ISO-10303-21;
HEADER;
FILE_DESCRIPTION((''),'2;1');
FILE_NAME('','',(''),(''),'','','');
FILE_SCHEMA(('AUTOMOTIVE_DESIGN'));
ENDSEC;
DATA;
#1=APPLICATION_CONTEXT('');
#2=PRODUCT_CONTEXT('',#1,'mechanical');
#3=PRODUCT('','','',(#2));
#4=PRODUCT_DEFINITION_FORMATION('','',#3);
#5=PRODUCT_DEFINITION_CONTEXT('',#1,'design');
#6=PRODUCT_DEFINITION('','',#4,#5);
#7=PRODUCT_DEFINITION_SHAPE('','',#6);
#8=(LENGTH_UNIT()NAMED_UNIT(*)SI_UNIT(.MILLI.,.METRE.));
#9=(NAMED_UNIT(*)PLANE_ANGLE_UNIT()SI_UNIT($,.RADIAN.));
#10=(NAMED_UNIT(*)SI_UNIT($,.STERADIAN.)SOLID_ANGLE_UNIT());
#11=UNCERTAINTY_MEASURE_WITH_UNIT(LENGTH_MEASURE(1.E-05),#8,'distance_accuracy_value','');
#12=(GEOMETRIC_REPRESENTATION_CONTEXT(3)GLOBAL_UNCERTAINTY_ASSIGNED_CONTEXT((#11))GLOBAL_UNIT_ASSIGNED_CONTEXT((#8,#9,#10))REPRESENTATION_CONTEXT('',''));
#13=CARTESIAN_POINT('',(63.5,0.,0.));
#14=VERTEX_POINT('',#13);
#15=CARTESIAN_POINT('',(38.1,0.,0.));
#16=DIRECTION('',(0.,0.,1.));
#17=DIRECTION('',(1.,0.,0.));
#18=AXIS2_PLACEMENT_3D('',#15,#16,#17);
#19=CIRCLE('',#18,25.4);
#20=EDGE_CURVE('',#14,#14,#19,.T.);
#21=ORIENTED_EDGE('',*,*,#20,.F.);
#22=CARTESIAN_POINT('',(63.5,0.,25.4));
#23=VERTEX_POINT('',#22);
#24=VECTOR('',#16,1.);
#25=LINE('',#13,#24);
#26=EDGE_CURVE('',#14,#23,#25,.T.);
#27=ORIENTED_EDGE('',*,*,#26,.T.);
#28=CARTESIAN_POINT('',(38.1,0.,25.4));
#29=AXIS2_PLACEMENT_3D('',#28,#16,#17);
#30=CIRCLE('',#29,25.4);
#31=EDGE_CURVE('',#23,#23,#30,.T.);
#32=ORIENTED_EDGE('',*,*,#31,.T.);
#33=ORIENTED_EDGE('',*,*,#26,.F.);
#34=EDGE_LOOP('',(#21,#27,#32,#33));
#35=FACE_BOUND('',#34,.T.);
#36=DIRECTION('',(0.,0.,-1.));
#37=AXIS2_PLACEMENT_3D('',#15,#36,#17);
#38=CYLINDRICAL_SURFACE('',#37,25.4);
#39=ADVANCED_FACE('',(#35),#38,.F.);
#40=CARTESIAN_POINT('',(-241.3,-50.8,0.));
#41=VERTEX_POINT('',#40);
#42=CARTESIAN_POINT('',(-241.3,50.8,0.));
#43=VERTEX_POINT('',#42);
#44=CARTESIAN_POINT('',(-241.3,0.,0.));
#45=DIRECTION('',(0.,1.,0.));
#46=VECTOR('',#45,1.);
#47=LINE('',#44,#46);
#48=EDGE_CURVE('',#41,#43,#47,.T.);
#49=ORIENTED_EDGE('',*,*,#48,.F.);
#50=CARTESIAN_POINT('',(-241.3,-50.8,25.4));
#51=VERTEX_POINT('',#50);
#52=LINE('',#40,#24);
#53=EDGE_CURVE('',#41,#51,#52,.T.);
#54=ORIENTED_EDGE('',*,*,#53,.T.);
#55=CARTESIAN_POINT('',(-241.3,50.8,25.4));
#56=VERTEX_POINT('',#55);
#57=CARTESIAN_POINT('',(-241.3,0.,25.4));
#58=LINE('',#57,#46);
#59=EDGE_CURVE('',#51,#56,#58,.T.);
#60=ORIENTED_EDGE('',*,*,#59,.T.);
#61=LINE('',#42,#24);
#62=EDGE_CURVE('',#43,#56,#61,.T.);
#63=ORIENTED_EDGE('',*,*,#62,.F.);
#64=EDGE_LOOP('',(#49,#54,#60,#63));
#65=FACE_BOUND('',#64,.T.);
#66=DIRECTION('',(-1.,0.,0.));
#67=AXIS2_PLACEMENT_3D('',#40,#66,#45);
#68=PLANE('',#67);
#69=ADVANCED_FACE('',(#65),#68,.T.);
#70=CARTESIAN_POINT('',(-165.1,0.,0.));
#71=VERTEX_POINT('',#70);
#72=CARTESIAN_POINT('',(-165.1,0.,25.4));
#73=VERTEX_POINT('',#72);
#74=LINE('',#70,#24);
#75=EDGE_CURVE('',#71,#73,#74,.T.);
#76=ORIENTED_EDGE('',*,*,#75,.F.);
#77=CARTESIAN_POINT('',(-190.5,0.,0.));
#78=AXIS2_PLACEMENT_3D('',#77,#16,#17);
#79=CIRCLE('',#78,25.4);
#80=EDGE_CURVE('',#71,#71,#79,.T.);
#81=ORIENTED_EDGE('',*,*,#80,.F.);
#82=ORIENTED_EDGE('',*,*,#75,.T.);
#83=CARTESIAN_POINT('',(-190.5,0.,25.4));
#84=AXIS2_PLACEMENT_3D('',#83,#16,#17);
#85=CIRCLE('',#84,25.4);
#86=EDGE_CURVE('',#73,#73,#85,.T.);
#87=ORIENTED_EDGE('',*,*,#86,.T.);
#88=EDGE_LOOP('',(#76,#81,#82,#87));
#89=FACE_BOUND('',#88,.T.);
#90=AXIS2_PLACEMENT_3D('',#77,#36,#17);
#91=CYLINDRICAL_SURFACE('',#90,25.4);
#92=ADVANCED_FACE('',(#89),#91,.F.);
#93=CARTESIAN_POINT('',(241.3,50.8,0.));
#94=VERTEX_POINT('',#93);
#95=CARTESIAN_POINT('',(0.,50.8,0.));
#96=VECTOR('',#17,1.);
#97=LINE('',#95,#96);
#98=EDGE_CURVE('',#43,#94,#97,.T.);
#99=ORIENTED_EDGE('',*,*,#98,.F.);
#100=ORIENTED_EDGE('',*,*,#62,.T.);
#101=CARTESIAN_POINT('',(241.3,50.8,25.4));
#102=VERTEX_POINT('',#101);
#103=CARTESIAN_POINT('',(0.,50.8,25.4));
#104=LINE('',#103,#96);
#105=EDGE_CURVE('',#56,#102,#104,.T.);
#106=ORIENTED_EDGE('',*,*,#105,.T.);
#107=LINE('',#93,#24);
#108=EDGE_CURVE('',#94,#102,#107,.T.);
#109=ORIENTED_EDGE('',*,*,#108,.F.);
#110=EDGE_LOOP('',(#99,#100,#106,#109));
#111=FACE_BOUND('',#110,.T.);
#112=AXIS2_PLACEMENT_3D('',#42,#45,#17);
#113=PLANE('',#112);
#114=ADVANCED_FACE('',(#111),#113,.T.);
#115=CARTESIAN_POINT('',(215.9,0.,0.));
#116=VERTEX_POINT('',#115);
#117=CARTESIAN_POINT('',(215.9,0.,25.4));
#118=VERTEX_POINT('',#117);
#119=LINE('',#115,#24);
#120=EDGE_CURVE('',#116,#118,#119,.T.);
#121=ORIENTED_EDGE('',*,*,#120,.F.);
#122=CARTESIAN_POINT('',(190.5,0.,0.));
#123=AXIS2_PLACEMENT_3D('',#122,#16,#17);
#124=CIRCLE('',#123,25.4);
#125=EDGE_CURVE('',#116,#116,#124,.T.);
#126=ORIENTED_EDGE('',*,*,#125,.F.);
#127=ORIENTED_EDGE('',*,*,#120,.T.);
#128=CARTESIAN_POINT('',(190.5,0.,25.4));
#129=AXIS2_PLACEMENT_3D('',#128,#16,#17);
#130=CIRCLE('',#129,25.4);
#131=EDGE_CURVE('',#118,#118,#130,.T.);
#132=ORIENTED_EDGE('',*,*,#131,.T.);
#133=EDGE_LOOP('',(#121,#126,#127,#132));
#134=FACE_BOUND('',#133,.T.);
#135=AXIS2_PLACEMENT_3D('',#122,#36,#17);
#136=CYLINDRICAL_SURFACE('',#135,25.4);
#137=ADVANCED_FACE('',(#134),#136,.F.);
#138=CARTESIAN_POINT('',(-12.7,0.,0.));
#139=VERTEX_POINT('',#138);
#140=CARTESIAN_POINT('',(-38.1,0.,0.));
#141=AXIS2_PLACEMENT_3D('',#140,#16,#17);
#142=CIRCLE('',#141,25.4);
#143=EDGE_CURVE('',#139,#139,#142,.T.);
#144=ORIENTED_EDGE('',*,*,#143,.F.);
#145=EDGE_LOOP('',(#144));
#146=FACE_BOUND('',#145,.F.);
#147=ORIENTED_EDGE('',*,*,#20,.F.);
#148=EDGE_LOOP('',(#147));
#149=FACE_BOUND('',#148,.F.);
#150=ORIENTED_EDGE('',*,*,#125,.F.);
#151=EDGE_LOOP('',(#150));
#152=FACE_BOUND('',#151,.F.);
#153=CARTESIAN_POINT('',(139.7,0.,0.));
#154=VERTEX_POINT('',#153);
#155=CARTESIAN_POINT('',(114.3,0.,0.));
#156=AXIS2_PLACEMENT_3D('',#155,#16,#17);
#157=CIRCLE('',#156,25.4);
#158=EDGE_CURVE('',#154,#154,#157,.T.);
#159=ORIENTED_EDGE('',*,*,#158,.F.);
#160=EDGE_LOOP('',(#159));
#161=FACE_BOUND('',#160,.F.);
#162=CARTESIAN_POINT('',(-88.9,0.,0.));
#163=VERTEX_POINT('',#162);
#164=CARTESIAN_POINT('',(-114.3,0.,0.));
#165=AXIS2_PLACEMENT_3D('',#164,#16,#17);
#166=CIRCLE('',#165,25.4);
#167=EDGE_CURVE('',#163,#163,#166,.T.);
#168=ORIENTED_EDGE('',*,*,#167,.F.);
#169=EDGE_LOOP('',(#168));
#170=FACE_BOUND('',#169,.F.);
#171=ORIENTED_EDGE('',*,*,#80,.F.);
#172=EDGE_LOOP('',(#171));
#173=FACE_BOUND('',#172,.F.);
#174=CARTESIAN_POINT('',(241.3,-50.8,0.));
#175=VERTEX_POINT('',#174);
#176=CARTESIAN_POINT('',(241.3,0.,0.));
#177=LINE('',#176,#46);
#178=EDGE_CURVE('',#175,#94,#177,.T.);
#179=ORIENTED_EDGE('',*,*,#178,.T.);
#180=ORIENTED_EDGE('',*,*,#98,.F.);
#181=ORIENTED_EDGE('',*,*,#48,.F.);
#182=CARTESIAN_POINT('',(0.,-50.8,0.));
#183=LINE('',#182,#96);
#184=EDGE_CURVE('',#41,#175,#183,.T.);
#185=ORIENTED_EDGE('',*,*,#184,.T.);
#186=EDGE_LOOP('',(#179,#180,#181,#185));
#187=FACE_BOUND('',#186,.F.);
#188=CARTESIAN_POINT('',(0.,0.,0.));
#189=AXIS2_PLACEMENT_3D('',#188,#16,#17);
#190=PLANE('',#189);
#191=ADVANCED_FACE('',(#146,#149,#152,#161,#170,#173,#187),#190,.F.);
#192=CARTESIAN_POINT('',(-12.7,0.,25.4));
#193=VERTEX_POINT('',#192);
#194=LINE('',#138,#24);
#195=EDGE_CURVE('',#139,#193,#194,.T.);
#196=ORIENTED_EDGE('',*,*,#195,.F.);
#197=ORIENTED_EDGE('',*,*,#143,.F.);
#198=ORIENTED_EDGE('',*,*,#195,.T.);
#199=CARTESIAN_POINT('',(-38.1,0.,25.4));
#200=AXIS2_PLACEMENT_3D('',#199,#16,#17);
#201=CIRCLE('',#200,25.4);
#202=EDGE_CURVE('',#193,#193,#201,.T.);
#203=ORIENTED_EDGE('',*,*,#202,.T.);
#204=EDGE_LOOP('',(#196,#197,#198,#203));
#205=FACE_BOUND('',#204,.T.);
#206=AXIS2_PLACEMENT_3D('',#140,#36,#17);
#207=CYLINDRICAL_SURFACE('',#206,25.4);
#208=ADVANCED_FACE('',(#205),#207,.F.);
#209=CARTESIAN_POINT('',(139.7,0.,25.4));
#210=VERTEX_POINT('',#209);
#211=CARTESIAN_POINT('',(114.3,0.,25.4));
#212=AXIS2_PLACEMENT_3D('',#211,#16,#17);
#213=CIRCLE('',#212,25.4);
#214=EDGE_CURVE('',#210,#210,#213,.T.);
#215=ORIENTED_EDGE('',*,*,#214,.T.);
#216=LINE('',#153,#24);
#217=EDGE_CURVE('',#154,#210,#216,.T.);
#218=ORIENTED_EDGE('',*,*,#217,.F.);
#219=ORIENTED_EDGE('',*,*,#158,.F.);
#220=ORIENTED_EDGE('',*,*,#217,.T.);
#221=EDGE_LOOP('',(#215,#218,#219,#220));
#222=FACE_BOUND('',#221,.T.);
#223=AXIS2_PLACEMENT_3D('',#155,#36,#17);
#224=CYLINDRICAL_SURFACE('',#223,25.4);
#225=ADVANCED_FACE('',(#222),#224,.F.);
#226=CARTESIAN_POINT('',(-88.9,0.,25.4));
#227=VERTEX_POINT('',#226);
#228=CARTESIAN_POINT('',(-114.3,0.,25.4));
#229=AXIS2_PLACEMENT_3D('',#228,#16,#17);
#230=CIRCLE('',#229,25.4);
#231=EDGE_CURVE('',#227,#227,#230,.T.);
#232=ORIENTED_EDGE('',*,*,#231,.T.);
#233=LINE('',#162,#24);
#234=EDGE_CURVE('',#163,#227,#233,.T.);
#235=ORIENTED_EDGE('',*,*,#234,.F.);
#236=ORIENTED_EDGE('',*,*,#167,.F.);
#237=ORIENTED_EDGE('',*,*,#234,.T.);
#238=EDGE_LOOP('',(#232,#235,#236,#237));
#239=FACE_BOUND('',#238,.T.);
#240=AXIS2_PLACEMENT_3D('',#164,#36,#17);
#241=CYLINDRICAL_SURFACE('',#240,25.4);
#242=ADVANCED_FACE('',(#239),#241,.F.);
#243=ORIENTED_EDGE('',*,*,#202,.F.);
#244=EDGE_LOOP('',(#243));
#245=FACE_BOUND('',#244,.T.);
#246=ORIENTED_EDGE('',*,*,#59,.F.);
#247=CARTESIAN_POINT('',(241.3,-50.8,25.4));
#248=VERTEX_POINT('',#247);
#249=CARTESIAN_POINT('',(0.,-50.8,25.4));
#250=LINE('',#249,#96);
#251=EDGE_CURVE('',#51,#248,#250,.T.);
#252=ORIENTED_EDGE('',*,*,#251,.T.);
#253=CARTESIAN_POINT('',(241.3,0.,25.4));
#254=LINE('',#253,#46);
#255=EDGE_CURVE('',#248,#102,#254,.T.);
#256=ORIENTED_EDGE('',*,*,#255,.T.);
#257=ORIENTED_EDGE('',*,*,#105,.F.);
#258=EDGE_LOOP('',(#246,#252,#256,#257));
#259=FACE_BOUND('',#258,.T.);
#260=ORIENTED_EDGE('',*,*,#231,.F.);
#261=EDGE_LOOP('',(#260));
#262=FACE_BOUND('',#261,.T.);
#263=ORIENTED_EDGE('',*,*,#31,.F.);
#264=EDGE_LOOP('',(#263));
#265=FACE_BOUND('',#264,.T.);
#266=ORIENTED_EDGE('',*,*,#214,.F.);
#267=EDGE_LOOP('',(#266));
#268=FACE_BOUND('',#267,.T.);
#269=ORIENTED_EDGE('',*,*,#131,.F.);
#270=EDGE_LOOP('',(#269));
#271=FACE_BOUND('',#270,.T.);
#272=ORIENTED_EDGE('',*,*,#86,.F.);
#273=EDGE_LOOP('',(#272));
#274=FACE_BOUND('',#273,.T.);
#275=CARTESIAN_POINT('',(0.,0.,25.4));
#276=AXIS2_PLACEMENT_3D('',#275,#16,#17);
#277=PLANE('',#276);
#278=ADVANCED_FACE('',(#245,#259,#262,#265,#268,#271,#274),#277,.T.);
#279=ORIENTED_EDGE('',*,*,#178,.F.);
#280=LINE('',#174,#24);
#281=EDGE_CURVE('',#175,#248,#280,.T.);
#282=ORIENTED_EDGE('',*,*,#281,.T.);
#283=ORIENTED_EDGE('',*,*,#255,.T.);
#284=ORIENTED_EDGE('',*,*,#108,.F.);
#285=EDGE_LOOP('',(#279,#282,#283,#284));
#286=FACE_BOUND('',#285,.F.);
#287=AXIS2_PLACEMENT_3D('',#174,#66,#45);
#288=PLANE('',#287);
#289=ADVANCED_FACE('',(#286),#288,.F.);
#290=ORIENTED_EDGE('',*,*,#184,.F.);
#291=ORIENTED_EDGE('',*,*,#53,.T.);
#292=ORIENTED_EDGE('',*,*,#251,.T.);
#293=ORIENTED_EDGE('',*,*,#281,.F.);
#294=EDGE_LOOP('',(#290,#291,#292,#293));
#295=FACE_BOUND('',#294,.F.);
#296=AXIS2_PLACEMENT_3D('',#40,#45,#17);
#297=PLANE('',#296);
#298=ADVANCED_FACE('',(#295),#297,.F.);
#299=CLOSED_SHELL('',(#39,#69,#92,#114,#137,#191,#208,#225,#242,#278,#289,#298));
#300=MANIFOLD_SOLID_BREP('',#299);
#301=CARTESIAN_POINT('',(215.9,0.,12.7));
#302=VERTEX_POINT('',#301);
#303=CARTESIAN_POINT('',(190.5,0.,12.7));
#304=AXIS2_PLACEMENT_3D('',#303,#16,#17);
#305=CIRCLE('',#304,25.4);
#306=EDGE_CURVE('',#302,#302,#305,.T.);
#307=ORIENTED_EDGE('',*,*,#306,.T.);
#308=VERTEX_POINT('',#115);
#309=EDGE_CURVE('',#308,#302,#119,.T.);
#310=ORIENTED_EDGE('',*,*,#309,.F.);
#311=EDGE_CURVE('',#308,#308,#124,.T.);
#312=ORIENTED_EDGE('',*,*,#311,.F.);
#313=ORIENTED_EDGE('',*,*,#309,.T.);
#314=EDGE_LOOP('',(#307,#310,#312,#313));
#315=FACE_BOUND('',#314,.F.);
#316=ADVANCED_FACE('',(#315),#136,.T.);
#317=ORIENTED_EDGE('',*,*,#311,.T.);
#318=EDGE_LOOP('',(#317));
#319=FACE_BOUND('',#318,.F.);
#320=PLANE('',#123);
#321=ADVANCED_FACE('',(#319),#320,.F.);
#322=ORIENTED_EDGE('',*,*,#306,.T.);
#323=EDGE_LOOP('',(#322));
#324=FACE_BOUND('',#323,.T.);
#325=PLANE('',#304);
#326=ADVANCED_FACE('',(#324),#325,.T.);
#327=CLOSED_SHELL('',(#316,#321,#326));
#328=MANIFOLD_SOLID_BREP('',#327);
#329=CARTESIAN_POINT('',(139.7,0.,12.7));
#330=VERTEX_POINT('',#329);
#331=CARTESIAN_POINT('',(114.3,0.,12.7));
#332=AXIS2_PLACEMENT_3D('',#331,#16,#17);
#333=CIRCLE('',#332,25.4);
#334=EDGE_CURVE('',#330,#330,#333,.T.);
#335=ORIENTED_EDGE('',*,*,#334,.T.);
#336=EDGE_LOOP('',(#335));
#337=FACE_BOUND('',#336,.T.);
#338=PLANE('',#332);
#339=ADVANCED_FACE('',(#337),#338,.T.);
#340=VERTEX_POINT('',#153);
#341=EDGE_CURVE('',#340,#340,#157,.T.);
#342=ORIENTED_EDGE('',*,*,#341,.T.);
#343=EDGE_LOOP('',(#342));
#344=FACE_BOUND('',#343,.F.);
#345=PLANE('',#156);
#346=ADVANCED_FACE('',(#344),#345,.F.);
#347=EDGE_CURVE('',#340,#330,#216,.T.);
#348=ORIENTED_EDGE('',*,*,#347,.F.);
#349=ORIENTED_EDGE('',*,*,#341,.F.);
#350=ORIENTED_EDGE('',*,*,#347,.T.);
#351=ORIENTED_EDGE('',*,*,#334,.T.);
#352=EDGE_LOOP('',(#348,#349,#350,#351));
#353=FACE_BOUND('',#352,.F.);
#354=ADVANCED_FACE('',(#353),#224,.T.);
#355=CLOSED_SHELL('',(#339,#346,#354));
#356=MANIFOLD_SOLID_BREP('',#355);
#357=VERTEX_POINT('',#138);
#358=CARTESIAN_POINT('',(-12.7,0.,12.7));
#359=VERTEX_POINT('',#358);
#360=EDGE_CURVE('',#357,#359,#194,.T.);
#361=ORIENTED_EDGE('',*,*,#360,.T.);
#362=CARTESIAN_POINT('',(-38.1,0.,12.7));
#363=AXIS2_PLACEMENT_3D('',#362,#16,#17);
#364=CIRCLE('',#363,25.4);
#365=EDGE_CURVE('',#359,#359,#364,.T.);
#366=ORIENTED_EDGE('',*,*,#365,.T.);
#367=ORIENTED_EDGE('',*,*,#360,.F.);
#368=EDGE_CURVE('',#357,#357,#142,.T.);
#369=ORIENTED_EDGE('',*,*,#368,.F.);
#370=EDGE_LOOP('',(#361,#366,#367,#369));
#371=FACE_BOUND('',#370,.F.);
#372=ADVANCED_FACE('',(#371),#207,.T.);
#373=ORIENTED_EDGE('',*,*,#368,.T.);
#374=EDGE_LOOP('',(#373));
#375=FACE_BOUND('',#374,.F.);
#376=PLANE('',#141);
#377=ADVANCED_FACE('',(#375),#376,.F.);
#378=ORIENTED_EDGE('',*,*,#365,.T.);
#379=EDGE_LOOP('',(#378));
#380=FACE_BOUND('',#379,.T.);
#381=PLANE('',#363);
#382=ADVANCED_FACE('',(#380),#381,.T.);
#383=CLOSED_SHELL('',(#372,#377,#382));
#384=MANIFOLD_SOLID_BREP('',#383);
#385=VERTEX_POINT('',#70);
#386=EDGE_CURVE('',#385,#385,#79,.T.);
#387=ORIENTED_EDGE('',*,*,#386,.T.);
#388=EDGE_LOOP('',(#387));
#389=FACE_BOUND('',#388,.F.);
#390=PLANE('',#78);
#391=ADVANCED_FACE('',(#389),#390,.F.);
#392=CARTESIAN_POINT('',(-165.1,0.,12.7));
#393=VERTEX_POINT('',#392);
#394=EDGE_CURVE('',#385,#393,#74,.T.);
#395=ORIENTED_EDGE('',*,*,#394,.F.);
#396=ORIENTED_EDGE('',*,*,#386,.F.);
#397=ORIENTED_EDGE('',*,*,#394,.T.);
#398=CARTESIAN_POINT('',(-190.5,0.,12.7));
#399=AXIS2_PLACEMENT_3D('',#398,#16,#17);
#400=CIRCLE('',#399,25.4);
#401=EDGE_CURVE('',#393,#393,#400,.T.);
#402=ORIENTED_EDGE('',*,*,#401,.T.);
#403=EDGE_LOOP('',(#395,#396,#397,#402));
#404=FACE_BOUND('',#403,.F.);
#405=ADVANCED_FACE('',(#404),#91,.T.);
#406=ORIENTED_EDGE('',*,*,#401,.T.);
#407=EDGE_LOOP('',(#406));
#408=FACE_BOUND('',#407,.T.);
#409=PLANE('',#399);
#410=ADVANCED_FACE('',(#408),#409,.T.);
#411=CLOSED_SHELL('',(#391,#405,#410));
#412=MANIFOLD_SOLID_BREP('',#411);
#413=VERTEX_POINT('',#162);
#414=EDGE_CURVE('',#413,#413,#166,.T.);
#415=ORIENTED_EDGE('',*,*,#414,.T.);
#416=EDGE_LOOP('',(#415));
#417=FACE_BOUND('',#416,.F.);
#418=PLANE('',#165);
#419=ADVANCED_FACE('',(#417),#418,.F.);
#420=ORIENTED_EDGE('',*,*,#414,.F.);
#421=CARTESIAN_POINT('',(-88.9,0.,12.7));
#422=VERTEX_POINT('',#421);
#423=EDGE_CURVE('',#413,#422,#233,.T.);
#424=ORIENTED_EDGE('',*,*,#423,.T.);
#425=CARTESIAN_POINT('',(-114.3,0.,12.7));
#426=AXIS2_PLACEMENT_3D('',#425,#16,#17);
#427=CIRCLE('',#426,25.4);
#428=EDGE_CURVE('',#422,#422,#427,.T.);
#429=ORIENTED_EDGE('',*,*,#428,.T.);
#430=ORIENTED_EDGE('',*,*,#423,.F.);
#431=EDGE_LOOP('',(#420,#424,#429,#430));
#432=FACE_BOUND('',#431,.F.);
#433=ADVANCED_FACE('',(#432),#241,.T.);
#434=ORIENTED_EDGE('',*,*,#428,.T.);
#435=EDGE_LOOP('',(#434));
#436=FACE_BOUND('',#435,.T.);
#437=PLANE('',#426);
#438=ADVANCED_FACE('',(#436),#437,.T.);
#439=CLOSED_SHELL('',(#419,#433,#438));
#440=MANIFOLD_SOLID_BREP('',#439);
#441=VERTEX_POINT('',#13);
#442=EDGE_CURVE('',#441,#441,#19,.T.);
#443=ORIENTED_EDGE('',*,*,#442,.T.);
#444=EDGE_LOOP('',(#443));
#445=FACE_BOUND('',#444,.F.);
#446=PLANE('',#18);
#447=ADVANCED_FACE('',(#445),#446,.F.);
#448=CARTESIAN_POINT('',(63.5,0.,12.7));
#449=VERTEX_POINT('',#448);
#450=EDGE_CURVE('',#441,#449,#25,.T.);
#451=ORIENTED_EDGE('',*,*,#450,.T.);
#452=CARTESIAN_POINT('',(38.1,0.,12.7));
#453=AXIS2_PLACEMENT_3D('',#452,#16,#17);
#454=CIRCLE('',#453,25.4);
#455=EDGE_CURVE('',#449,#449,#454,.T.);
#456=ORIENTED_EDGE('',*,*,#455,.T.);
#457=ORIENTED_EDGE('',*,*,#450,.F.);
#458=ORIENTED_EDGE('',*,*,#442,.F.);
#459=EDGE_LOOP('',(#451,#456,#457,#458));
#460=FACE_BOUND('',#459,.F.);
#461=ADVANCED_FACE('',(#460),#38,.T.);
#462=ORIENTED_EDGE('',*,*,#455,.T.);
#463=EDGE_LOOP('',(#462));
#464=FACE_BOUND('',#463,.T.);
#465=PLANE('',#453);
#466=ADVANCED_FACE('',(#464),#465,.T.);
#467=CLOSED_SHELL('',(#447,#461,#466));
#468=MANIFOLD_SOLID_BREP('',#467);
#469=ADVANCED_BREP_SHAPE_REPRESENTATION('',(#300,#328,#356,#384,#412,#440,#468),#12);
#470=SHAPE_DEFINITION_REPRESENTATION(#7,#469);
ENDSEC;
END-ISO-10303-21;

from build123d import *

# Parameters (mm, degrees)
F0_R     = 25.4
F1_DEPTH = 12.7
F0_W     = 482.6
F0_H     = 101.6
F2_DEPTH = 25.4


with BuildPart() as f1:
    # F0 (on Top) → F1 (new body)
    with BuildSketch(Plane.XY):
        with Locations((-190.5, 0)):
            Circle(F0_R)
        with Locations((-114.3, 0)):
            Circle(F0_R)
        with Locations((-38.1, 0)):
            Circle(F0_R)
        with Locations((38.1, 0)):
            Circle(F0_R)
        with Locations((114.3, 0)):
            Circle(F0_R)
        with Locations((190.5, 0)):
            Circle(F0_R)
    extrude(amount=F1_DEPTH)


with BuildPart() as f2:
    # F0 (on Top) → F2 (new body)
    with BuildSketch(Plane.XY):
        Rectangle(F0_W, F0_H)
        with Locations((-190.5, 0)):
            Circle(F0_R, mode=Mode.SUBTRACT)
        with Locations((-114.3, 0)):
            Circle(F0_R, mode=Mode.SUBTRACT)
        with Locations((-38.1, 0)):
            Circle(F0_R, mode=Mode.SUBTRACT)
        with Locations((38.1, 0)):
            Circle(F0_R, mode=Mode.SUBTRACT)
        with Locations((114.3, 0)):
            Circle(F0_R, mode=Mode.SUBTRACT)
        with Locations((190.5, 0)):
            Circle(F0_R, mode=Mode.SUBTRACT)
    extrude(amount=F2_DEPTH)


solid = Compound([f1.part, f2.part])
